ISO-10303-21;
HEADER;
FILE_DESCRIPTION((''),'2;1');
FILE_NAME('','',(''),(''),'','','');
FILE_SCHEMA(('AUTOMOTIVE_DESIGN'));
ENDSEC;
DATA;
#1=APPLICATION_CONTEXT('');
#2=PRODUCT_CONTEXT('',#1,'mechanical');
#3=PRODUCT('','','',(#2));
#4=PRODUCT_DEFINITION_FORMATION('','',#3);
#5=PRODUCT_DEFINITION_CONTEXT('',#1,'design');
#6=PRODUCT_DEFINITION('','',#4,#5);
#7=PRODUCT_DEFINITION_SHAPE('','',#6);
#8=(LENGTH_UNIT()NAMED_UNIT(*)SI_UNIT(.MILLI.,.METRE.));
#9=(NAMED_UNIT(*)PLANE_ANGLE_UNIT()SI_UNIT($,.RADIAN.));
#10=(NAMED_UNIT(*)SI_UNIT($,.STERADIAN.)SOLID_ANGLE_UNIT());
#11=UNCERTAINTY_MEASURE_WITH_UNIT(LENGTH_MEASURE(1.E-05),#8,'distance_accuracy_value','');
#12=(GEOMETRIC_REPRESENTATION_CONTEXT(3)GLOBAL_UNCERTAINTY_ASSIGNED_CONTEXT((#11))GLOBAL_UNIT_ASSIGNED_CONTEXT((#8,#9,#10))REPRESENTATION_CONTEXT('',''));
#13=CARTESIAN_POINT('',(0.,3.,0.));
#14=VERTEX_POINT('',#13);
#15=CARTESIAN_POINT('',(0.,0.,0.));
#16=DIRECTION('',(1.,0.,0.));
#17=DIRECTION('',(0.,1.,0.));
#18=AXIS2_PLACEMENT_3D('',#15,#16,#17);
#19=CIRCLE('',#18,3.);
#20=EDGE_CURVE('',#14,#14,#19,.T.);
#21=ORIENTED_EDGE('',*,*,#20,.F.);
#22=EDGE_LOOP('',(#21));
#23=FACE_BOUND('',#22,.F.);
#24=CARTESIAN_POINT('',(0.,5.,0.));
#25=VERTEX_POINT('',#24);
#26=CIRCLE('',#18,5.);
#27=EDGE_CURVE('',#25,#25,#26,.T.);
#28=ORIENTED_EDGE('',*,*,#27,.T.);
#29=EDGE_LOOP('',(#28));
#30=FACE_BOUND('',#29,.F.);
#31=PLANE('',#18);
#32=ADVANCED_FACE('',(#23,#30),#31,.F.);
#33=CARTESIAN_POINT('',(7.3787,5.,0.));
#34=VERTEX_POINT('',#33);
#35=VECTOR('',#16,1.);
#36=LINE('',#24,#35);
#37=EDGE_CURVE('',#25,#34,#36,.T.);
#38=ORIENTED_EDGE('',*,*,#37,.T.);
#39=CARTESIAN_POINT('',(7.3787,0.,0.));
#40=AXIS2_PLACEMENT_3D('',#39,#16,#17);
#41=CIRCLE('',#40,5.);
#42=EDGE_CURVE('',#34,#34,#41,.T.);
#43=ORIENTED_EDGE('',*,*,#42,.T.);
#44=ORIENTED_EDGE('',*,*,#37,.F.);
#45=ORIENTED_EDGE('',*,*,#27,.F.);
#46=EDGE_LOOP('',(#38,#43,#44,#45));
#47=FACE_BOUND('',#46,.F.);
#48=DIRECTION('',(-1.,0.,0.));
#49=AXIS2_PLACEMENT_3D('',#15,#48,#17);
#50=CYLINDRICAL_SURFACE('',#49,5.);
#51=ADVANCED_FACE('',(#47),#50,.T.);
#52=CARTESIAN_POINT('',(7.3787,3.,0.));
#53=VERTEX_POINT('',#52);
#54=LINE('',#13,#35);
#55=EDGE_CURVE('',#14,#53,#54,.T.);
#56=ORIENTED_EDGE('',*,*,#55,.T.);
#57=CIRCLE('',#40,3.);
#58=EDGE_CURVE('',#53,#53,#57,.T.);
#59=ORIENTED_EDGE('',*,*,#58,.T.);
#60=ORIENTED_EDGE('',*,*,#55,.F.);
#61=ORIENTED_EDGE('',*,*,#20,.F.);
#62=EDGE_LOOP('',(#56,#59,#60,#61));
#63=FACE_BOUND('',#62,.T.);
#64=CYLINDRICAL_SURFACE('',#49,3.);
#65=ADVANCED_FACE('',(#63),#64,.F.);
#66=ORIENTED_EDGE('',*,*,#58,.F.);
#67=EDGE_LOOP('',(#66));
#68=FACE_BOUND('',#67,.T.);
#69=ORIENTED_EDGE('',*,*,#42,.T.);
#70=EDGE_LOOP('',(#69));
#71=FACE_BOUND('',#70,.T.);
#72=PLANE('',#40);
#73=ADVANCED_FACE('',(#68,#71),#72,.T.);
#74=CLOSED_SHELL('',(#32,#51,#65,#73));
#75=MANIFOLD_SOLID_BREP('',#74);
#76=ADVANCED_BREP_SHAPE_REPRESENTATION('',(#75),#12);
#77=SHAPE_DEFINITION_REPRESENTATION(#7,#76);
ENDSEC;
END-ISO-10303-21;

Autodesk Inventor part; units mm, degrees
ref_plane "YZ Plane" through (0, 0, 0) normal (1, 0, 0) x (0, 1, 0)
ref_plane "XZ Plane" through (0, 0, 0) normal (0, 1, 0) x (-1, 0, 0)
ref_plane "XY Plane" through (0, 0, 0) normal (0, 0, 1) x (1, 0, 0)
sketch "Sketch1" plane through (0, 0, 0) normal (1, 0, 0) x (0, 1, 0)
  circle A0 centre (0, 0) radius 5
  circle A1 centre (0, 0) radius 3
  dimension "d0" = 10
  dimension "d1" = 6
extrude "Extrusion1" add sketch "Sketch1" along normal blind 7.3787
properties part number "Spacer"
